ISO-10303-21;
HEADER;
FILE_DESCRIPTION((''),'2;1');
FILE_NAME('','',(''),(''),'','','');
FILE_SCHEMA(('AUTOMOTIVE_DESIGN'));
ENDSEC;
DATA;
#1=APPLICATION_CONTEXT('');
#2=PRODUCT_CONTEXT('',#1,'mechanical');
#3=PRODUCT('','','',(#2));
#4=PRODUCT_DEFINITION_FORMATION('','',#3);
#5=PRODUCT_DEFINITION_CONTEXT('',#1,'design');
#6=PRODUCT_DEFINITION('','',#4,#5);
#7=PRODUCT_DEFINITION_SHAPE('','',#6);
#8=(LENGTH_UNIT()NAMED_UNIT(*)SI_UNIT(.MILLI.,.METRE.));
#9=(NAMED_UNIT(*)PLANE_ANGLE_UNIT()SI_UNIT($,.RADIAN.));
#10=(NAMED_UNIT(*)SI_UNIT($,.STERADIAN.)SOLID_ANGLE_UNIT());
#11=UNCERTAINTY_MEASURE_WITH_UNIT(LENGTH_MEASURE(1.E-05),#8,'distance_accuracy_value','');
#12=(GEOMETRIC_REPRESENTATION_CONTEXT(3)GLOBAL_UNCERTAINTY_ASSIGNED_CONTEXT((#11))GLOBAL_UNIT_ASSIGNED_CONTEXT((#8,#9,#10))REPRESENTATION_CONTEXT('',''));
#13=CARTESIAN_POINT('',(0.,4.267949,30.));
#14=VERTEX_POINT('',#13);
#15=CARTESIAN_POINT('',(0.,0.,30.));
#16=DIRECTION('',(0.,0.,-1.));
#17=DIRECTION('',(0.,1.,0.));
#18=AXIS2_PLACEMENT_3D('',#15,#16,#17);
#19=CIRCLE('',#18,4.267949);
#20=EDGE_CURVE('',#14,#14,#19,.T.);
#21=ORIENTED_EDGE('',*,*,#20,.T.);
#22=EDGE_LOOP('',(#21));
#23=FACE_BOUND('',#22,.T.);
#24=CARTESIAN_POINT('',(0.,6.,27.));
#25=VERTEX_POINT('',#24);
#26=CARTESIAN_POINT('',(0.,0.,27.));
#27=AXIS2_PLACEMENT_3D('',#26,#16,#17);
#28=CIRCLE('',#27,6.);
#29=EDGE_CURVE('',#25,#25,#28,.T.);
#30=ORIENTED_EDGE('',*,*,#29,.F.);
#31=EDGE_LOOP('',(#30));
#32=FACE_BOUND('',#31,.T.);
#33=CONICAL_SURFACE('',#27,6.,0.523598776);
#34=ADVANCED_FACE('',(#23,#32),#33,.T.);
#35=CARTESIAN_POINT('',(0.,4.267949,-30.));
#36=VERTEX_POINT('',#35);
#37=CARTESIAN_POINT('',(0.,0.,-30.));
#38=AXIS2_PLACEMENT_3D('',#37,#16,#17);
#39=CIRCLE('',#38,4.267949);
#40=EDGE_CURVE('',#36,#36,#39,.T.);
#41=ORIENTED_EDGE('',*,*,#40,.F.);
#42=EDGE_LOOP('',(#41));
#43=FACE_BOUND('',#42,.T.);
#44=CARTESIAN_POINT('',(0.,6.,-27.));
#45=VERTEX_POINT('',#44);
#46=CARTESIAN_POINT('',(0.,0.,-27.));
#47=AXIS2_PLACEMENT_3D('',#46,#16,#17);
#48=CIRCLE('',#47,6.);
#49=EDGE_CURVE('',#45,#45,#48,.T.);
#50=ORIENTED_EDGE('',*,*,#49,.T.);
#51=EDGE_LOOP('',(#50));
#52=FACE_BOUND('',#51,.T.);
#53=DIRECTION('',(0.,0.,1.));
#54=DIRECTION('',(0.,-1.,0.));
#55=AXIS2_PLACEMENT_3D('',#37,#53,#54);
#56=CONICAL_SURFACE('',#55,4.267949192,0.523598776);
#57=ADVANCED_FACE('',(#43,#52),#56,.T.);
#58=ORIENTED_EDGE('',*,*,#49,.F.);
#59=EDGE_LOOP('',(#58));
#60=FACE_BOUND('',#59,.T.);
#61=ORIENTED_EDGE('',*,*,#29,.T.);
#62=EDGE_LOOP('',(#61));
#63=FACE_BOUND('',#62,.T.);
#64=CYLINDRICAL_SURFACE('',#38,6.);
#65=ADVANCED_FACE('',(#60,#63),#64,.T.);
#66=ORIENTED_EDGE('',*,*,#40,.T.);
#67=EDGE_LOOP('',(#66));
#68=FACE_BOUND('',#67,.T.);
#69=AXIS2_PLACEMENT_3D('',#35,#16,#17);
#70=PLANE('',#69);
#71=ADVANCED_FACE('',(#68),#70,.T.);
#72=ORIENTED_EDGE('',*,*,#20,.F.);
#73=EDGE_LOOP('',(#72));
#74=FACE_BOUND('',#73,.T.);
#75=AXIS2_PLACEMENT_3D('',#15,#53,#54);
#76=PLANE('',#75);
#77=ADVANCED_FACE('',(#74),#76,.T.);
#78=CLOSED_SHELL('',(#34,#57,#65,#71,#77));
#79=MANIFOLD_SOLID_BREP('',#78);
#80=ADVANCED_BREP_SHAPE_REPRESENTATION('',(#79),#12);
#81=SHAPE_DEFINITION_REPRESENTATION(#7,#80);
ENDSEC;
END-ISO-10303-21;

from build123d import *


with BuildPart() as part:
    # Skizze1 → Rotation1 (revolve)
    with BuildSketch(Plane(origin=(0, 0, 0), x_dir=(0, 0, -1), z_dir=(1, 0, 0))):
        Polygon((-27, 6), (27, 6), (30, 4.267949192), (30, 0), (-30, 0), (-30, 4.267949192), align=None)
    revolve(axis=Axis((0, 0, -30), (0, 0, 1)))


solid = part.part
